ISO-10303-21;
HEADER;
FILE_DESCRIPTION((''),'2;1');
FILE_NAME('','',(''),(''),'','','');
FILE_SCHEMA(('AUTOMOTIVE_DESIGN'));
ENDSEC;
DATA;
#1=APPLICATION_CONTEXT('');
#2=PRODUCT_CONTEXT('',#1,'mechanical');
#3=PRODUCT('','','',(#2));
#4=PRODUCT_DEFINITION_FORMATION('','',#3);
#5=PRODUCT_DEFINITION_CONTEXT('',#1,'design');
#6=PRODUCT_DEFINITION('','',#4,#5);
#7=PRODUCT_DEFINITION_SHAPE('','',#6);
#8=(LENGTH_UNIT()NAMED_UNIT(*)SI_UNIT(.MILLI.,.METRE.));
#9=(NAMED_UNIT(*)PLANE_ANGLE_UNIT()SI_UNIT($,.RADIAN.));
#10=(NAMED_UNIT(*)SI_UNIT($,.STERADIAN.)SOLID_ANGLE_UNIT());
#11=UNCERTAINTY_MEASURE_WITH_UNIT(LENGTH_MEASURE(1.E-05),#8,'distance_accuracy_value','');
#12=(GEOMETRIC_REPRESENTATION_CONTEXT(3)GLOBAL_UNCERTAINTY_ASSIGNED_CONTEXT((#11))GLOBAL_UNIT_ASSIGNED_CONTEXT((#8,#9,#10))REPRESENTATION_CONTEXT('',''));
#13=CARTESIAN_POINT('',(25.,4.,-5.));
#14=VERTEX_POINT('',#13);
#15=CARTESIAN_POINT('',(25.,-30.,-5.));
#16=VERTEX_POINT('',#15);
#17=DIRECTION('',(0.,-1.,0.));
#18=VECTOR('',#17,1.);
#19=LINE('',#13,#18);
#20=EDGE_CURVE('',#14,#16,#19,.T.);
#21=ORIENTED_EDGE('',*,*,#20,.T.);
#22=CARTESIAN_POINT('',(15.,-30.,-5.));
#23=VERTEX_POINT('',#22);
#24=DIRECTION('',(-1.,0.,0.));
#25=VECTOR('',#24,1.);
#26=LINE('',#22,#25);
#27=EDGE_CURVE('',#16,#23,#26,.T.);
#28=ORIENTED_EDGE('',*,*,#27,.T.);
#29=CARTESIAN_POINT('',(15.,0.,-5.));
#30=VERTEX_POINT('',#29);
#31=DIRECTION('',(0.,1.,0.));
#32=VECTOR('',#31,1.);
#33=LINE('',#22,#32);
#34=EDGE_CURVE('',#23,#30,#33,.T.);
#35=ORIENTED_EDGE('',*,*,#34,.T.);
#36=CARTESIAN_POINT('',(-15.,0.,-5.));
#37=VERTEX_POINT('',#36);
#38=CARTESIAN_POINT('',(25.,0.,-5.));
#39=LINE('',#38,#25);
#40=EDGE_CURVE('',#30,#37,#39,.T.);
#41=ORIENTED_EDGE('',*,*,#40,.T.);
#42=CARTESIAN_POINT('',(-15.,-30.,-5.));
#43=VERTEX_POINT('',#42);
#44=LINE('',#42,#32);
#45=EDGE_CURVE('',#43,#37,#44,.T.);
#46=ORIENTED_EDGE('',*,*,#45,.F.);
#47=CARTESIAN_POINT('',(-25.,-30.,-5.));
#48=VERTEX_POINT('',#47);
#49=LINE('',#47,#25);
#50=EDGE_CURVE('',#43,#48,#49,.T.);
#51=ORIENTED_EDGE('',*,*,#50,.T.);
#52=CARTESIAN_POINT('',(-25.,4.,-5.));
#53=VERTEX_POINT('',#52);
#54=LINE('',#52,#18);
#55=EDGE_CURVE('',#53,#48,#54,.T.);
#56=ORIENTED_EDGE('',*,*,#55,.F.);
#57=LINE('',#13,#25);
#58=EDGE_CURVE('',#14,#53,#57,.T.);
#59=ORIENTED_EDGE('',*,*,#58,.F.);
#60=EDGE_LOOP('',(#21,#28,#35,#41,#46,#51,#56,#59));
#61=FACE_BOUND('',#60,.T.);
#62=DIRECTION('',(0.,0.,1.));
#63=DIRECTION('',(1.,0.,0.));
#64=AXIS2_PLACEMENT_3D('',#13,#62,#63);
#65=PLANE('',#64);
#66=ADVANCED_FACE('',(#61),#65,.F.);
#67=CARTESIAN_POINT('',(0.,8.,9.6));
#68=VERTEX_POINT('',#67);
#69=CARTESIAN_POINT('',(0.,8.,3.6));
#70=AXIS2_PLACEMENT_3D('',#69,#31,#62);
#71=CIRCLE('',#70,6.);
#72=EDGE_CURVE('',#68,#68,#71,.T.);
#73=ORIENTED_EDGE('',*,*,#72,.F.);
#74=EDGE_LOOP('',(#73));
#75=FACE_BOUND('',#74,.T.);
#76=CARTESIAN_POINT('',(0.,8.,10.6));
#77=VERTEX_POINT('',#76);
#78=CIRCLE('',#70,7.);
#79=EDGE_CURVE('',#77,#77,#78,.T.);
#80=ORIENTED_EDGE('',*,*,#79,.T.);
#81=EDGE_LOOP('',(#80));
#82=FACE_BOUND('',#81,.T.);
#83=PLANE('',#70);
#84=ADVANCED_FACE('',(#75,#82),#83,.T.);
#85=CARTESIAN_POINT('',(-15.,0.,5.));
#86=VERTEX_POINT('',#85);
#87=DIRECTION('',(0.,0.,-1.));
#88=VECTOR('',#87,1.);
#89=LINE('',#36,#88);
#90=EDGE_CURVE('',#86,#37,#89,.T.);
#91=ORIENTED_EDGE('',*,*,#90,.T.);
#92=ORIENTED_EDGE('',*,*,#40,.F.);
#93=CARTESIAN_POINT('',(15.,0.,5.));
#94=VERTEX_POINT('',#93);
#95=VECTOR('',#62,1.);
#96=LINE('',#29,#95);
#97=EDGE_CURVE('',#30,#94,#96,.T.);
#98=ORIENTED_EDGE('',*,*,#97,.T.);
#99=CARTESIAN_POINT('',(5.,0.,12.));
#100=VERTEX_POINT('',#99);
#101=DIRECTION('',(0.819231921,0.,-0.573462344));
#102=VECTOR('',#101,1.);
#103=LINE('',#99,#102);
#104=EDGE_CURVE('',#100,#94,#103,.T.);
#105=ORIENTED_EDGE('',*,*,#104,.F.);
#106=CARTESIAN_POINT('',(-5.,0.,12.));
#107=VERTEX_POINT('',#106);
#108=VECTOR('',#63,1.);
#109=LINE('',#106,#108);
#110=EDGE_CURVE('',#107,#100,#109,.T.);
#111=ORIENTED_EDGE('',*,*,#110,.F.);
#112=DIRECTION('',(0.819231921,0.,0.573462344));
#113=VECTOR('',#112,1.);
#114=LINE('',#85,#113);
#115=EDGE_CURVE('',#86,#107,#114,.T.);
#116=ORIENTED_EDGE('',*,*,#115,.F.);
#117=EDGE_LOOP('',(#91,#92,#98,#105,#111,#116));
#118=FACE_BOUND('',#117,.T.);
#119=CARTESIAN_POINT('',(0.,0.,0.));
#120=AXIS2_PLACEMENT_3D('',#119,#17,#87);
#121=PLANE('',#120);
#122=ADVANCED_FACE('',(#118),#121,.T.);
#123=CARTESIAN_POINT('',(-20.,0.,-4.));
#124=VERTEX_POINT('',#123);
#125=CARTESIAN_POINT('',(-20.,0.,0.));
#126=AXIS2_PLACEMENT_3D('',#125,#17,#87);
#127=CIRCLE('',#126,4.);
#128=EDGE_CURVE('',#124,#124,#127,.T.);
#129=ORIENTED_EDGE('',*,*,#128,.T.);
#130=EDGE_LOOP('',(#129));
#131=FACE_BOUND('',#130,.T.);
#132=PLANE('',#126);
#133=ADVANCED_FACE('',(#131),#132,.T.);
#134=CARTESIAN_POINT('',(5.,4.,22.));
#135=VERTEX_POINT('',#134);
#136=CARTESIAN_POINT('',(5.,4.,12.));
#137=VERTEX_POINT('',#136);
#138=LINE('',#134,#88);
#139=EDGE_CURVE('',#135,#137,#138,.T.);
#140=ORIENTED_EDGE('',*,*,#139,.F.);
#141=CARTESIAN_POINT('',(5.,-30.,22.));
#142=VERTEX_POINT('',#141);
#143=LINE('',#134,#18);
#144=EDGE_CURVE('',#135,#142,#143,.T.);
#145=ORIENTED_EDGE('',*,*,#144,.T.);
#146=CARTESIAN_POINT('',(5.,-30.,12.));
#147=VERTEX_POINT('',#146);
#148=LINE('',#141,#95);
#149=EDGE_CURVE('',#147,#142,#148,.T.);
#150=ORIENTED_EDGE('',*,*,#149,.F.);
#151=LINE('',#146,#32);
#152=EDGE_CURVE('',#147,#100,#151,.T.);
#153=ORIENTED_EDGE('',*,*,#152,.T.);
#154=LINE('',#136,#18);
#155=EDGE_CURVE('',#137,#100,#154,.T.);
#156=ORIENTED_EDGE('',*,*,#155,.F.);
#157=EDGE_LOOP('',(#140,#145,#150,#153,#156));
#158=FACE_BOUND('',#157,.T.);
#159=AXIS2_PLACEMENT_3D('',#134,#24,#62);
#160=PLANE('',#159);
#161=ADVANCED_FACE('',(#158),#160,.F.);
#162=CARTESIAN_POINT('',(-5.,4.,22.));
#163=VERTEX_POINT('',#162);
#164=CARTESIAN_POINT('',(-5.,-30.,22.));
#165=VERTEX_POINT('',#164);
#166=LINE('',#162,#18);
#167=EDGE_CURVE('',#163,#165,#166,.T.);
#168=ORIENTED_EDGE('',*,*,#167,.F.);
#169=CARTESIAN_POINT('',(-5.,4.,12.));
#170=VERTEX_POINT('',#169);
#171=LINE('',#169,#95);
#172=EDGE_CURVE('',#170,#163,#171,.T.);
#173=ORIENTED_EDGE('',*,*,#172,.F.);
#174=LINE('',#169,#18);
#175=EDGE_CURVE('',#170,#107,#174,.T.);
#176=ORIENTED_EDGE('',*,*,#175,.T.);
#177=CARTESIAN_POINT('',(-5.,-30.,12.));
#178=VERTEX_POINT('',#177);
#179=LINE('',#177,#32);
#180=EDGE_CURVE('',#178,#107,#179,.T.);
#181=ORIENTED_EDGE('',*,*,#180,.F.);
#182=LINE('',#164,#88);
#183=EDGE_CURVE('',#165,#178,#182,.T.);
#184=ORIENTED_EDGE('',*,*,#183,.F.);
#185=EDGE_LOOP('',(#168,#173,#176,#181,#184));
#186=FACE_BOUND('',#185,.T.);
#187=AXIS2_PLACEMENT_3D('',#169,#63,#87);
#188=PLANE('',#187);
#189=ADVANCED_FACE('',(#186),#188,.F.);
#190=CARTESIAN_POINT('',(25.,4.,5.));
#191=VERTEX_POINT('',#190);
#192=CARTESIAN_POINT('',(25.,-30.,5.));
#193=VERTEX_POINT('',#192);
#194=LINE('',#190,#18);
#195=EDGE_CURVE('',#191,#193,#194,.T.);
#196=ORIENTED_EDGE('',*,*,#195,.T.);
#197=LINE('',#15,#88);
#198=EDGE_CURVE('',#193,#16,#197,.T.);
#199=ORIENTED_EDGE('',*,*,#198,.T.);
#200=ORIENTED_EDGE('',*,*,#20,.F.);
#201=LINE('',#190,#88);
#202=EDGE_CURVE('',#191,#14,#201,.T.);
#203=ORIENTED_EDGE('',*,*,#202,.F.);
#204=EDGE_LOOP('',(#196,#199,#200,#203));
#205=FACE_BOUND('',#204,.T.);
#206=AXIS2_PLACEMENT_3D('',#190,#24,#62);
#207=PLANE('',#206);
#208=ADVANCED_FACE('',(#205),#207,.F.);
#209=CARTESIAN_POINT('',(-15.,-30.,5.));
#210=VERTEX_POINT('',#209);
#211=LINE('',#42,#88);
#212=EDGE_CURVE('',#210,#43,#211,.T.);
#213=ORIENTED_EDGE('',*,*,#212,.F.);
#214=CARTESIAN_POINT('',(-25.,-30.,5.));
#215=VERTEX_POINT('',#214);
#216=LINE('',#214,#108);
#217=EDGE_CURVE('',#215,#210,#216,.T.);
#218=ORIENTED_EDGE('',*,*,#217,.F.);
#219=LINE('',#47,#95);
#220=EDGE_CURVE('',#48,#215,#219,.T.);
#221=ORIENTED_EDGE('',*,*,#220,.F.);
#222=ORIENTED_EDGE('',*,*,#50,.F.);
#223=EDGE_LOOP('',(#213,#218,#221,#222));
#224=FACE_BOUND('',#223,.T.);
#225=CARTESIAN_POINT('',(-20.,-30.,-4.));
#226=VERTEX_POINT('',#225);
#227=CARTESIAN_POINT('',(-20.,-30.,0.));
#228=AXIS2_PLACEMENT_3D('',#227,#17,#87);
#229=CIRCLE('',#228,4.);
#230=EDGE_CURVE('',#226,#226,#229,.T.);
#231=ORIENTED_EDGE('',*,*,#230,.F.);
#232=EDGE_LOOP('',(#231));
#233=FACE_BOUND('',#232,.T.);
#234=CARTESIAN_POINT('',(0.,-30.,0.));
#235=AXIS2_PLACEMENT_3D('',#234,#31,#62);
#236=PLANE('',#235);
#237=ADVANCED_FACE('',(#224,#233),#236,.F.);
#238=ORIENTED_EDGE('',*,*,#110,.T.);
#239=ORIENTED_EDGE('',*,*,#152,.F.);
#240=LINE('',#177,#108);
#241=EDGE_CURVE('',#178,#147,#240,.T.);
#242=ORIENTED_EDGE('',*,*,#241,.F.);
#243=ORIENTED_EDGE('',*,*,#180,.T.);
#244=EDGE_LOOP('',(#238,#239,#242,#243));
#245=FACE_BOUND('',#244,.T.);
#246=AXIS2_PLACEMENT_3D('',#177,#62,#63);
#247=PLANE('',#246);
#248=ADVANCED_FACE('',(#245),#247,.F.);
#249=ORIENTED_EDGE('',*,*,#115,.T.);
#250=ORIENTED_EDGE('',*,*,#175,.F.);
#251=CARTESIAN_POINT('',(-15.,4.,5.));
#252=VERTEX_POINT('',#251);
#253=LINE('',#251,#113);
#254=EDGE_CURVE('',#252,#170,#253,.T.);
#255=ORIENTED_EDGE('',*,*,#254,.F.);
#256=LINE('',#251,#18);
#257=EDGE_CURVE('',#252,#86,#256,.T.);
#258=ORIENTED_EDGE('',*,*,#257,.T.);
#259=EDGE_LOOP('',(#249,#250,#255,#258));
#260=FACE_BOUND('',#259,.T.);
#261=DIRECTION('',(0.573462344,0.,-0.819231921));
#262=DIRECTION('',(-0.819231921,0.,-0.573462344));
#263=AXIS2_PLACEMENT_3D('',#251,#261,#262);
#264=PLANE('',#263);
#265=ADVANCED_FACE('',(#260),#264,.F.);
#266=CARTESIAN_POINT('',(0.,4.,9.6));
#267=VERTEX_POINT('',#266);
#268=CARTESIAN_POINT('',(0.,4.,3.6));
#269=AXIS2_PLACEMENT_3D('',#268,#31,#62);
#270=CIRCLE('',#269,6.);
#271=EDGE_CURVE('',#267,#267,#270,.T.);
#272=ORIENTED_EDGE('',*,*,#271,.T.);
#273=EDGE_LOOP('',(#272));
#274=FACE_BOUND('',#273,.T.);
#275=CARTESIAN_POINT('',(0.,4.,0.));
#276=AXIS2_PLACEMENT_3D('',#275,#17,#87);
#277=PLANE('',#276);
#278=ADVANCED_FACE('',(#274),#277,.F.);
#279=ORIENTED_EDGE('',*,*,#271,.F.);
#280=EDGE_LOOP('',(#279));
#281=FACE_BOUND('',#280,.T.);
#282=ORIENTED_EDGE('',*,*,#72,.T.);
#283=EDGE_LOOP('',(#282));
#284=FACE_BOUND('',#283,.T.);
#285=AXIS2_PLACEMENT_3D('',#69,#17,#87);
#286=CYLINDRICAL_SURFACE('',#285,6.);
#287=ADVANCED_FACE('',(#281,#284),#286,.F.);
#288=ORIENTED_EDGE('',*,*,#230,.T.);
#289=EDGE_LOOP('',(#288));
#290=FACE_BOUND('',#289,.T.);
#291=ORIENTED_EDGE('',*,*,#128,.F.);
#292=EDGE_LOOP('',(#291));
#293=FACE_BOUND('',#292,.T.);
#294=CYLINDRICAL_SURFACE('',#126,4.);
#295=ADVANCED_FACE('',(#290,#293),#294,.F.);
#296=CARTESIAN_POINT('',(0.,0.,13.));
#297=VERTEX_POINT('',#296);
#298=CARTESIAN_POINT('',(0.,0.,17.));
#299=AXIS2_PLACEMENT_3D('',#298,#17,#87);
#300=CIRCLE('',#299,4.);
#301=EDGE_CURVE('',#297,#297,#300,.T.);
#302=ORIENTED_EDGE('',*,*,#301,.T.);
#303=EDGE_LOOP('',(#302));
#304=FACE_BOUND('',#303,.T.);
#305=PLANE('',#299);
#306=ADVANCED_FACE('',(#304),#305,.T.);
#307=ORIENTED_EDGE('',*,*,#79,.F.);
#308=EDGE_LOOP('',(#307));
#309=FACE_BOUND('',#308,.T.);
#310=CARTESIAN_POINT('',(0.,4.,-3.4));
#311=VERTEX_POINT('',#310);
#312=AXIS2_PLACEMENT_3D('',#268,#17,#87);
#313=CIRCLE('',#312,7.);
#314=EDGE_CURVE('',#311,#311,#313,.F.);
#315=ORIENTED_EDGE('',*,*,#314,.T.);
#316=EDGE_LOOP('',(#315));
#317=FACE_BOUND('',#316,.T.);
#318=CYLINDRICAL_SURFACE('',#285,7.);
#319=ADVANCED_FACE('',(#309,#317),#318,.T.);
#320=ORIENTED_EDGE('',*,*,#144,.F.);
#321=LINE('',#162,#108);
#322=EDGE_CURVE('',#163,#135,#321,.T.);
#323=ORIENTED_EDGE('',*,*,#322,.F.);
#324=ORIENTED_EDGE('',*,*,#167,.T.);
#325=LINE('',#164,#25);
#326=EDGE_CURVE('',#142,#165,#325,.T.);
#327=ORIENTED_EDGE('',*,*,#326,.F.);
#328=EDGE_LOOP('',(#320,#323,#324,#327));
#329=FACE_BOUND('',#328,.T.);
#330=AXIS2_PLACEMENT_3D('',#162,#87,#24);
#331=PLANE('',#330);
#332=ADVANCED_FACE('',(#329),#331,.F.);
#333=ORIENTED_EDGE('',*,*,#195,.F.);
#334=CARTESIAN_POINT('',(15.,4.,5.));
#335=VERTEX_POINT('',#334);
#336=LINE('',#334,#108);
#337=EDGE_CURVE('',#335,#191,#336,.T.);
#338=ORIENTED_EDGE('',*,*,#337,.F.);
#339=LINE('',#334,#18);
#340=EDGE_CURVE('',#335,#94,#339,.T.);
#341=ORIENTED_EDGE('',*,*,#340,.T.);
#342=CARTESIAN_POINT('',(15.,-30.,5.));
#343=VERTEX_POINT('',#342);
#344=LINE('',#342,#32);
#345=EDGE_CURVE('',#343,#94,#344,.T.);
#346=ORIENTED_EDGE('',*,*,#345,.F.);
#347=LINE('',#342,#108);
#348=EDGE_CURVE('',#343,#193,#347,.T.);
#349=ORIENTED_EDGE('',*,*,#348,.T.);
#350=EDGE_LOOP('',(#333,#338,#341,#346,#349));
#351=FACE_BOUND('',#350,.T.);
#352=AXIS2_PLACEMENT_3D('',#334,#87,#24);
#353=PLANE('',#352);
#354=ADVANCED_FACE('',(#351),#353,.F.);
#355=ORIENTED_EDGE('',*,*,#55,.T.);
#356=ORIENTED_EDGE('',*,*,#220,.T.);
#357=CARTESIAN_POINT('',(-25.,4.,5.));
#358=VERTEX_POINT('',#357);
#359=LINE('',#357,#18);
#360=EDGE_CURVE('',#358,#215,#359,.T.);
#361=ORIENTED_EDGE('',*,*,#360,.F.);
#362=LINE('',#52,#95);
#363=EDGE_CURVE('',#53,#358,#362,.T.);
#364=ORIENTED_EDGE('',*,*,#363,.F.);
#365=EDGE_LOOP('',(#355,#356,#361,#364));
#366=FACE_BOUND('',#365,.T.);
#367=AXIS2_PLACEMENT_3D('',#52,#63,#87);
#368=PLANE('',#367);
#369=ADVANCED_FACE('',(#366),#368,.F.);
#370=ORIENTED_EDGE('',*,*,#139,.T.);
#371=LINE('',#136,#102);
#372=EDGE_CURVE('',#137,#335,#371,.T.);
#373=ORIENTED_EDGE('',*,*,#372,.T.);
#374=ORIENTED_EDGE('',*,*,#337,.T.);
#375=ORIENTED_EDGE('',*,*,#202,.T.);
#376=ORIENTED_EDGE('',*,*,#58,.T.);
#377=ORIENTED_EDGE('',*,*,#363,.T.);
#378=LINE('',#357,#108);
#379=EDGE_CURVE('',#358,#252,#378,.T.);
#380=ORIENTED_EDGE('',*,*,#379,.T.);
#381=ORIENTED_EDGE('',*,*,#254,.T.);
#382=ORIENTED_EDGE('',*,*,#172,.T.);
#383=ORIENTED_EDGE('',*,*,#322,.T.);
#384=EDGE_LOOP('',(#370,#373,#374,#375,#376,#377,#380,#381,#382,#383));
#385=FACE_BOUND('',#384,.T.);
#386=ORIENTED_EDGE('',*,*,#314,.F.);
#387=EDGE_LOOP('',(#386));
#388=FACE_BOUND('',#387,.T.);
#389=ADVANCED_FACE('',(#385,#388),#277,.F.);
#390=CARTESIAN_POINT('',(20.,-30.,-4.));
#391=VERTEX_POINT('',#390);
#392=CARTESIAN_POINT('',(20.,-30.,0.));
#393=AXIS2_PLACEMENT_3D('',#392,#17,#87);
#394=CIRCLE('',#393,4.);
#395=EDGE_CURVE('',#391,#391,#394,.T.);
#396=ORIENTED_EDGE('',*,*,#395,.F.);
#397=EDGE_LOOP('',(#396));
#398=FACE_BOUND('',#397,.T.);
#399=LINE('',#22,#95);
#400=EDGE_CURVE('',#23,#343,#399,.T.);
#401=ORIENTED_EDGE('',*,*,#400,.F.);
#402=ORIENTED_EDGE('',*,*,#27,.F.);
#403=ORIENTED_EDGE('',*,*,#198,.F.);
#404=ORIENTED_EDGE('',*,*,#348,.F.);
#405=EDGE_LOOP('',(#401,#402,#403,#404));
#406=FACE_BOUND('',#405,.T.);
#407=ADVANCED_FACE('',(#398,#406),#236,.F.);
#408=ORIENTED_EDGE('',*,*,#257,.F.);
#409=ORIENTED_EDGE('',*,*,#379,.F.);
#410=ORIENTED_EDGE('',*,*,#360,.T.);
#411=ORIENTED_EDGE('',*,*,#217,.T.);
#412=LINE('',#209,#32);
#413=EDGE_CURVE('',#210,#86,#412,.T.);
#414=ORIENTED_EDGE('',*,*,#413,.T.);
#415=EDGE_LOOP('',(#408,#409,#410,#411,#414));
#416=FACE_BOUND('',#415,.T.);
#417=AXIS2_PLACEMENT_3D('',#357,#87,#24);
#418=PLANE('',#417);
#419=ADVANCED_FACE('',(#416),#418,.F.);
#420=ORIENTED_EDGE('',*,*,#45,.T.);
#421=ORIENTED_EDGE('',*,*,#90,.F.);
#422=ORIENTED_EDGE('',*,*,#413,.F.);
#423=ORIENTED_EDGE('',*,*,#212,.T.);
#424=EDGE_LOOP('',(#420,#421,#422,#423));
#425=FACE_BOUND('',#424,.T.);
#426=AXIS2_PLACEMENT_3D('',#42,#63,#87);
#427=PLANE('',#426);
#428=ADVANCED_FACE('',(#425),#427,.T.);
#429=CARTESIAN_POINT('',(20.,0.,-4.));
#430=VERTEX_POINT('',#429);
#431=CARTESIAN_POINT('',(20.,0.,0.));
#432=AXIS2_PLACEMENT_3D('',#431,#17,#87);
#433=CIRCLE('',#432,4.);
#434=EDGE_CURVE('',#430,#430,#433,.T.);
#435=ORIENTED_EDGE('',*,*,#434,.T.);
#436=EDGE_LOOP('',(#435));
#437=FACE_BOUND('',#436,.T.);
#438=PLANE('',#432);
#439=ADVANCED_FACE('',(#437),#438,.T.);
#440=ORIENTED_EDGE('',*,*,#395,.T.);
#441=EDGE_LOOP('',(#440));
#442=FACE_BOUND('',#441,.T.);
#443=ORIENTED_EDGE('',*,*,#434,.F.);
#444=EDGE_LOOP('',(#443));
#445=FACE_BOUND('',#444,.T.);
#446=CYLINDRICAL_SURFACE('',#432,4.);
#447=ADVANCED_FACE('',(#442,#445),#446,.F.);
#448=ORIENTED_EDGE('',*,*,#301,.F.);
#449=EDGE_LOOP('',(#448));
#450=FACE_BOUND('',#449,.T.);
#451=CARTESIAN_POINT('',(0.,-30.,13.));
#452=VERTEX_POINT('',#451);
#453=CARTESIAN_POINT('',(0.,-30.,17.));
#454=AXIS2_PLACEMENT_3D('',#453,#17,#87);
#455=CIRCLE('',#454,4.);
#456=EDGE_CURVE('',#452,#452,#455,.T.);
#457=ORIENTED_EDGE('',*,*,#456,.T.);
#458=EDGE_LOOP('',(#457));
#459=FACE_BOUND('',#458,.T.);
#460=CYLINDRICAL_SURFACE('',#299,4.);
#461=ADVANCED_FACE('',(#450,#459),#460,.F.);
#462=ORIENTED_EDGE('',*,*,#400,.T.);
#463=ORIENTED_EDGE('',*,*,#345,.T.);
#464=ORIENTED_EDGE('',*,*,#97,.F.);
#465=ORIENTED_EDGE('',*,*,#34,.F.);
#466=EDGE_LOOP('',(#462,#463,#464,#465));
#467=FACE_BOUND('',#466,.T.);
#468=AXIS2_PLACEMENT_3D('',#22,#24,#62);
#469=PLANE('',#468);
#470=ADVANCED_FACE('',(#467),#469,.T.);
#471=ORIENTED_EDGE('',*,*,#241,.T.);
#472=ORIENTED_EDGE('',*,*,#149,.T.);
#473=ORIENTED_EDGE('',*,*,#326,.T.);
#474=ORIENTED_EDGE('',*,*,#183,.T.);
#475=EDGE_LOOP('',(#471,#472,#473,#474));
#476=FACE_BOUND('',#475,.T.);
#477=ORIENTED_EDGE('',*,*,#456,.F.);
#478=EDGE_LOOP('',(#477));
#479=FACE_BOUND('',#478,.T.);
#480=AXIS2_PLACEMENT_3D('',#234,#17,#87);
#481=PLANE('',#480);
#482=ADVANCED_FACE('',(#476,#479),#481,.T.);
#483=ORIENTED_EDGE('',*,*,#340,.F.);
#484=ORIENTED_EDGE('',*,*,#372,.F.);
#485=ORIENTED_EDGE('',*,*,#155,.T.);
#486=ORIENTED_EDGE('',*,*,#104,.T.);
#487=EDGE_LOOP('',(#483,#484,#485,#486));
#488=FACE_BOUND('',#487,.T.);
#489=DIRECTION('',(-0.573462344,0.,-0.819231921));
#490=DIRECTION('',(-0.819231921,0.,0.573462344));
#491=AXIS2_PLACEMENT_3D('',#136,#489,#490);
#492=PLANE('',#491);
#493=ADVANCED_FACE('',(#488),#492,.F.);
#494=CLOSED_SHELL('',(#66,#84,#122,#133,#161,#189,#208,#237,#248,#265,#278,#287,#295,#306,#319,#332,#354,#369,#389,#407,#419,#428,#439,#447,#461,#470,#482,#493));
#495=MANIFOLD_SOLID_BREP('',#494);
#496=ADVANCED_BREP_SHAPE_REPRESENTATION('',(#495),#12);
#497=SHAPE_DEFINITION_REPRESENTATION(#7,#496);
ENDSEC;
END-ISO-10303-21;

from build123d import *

# Parameters (mm, degrees)
EXTRUDE_1_DEPTH     = 4
SKETCH_1_W          = 10
SKETCH_1_H          = 10
EXTRUDE_2_DEPTH     = 30
SKETCH_6_W          = 10
SKETCH_6_H          = 10
EXTRUDE_4_DEPTH     = 30
SKETCH_9_R          = 7
SKETCH_9_R_2        = 6
EXTRUDE_5_DEPTH     = 4
SKETCH_11_R         = 4
CUT_EXTRUDE_1_DEPTH = 30


with BuildPart() as part:
    # 草图2 → 凸台-拉伸1 (new body)
    with BuildSketch(Plane(origin=(0, 0, 0), x_dir=(1, 0, 0), z_dir=(0, 1, 0))):
        Polygon((-5, -22), (5, -22), (5, -12), (15, -5), (25, -5), (25, 5), (-25, 5), (-25, -5), (-15, -5), (-5, -12), align=None)
    extrude(amount=EXTRUDE_1_DEPTH)

    # 草图1 → 凸台-拉伸2 (add)
    with BuildSketch(Plane(origin=(0, 0, 0), x_dir=(1, 0, 0), z_dir=(0, 1, 0))):
        with Locations((-20, 0)):
            Rectangle(SKETCH_1_W, SKETCH_1_H)
        with Locations((20, 0)):
            Rectangle(SKETCH_1_W, SKETCH_1_H)
    extrude(amount=-EXTRUDE_2_DEPTH)

    # 草图6 → 凸台-拉伸4 (add)
    with BuildSketch(Plane.XZ):
        with Locations((0, 17)):
            Rectangle(SKETCH_6_W, SKETCH_6_H)
    extrude(amount=EXTRUDE_4_DEPTH)

    # 草图9 → 凸台-拉伸5 (add)
    with BuildSketch(Plane(origin=(0, 4, 0), x_dir=(1, 0, 0), z_dir=(0, 1, 0))):
        with Locations((0, -3.6)):
            Circle(SKETCH_9_R)
        with Locations((0, -3.6)):
            Circle(SKETCH_9_R_2, mode=Mode.SUBTRACT)
    extrude(amount=EXTRUDE_5_DEPTH)

    # 草图11 → 切除-拉伸1 (cut)
    with BuildSketch(Plane.XZ.offset(30)):
        with Locations((0, 17)):
            Circle(SKETCH_11_R)
        with Locations((20, 0)):
            Circle(SKETCH_11_R)
        with Locations((-20, 0)):
            Circle(SKETCH_11_R)
    extrude(amount=-CUT_EXTRUDE_1_DEPTH, mode=Mode.SUBTRACT)


solid = part.part
